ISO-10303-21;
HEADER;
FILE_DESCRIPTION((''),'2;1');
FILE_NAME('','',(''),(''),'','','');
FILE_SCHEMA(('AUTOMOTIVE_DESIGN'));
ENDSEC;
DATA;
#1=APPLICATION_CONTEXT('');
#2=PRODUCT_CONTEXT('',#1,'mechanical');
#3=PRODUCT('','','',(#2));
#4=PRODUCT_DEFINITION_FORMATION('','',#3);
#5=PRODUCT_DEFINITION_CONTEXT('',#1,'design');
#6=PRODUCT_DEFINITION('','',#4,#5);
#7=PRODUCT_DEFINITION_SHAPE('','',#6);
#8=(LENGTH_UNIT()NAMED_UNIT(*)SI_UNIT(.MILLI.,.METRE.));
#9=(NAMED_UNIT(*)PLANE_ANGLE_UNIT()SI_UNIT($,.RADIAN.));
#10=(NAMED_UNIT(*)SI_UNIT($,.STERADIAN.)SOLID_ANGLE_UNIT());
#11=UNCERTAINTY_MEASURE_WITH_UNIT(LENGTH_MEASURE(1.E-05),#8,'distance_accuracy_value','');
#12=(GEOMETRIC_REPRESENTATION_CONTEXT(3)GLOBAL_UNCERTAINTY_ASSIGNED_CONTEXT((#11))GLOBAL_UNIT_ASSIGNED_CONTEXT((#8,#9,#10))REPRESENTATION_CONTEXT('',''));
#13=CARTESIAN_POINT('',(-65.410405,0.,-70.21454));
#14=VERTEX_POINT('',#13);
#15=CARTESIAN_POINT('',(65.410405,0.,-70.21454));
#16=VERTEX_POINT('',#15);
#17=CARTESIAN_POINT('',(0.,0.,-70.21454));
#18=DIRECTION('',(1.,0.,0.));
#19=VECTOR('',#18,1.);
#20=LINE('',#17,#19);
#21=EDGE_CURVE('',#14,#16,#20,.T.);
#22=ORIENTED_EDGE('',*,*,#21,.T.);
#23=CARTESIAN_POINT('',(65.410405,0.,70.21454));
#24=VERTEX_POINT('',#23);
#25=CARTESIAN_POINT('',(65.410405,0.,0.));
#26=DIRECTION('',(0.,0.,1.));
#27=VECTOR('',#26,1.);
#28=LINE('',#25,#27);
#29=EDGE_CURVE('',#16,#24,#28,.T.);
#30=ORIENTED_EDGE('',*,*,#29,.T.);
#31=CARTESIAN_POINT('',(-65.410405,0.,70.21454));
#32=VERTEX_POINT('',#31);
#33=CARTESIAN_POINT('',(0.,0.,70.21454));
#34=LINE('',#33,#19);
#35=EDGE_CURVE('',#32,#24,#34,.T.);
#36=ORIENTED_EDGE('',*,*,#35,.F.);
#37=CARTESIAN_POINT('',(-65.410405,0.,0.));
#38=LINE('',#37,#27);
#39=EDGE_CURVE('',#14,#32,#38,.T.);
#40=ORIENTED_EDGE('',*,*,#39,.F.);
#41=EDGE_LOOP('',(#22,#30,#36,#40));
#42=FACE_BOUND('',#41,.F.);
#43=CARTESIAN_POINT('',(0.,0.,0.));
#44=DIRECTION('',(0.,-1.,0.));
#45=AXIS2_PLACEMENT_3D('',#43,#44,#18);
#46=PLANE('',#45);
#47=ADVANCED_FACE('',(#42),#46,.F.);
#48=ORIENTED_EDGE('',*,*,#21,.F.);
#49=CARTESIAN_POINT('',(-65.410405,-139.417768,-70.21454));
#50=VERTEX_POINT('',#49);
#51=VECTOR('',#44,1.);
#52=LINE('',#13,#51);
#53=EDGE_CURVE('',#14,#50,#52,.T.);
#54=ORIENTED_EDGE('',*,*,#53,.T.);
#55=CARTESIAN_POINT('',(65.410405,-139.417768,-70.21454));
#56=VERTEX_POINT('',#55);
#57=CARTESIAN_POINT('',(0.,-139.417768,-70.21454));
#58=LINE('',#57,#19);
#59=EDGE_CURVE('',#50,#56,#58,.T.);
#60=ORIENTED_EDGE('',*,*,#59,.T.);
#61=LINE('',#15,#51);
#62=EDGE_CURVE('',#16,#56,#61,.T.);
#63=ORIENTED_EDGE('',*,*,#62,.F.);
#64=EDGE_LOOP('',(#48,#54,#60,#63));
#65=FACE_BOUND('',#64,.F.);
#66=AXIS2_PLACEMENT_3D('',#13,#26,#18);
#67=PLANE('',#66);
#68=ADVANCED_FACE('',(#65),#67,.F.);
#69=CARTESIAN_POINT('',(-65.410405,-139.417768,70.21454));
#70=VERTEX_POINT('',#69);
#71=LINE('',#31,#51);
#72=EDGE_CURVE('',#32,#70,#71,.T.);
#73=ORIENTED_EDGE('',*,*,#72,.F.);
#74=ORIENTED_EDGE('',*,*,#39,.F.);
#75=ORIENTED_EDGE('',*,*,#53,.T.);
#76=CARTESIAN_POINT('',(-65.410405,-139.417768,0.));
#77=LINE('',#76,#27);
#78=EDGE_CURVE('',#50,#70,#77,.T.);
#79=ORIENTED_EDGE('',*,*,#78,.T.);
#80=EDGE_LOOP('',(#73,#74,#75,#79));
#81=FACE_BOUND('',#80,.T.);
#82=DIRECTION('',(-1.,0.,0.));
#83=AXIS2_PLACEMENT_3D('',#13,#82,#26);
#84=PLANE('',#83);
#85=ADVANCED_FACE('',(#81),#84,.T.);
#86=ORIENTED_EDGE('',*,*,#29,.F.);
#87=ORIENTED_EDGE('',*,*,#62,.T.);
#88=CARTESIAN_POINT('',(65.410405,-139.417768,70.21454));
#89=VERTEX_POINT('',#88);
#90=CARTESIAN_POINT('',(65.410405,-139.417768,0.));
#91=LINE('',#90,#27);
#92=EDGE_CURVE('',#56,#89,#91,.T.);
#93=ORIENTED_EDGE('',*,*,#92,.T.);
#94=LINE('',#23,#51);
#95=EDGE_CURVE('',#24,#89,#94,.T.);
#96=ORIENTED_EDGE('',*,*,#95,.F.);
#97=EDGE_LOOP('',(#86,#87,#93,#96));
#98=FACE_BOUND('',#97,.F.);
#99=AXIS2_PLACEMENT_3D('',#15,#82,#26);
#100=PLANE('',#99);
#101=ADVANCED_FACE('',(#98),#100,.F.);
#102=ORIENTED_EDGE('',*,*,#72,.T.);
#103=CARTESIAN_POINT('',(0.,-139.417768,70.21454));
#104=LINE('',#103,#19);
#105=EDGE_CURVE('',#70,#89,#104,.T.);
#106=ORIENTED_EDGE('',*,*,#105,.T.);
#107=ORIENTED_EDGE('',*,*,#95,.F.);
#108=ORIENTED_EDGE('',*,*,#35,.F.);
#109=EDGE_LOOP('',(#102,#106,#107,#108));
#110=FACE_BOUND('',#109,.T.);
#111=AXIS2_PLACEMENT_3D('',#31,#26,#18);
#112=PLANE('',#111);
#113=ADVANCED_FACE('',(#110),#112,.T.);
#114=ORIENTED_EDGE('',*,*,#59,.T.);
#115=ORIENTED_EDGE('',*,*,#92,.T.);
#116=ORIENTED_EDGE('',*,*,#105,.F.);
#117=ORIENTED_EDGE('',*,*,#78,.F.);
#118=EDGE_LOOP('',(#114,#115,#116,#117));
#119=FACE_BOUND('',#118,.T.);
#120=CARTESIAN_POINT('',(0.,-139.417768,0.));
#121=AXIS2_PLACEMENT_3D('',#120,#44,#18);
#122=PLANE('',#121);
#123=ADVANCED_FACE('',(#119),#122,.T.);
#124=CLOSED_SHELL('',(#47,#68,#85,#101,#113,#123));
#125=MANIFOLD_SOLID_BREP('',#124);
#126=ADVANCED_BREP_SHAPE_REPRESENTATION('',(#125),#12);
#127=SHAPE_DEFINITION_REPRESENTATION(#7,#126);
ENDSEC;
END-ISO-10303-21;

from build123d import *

# Parameters (mm, degrees)
F1_W     = 130.82081
F1_H     = 140.42908
F2_DEPTH = 139.417768


with BuildPart() as f2:
    # F1 (on face) → F2 (new body)
    with BuildSketch(Plane.XZ):
        Rectangle(F1_W, F1_H)
    extrude(amount=F2_DEPTH)


solid = f2.part
